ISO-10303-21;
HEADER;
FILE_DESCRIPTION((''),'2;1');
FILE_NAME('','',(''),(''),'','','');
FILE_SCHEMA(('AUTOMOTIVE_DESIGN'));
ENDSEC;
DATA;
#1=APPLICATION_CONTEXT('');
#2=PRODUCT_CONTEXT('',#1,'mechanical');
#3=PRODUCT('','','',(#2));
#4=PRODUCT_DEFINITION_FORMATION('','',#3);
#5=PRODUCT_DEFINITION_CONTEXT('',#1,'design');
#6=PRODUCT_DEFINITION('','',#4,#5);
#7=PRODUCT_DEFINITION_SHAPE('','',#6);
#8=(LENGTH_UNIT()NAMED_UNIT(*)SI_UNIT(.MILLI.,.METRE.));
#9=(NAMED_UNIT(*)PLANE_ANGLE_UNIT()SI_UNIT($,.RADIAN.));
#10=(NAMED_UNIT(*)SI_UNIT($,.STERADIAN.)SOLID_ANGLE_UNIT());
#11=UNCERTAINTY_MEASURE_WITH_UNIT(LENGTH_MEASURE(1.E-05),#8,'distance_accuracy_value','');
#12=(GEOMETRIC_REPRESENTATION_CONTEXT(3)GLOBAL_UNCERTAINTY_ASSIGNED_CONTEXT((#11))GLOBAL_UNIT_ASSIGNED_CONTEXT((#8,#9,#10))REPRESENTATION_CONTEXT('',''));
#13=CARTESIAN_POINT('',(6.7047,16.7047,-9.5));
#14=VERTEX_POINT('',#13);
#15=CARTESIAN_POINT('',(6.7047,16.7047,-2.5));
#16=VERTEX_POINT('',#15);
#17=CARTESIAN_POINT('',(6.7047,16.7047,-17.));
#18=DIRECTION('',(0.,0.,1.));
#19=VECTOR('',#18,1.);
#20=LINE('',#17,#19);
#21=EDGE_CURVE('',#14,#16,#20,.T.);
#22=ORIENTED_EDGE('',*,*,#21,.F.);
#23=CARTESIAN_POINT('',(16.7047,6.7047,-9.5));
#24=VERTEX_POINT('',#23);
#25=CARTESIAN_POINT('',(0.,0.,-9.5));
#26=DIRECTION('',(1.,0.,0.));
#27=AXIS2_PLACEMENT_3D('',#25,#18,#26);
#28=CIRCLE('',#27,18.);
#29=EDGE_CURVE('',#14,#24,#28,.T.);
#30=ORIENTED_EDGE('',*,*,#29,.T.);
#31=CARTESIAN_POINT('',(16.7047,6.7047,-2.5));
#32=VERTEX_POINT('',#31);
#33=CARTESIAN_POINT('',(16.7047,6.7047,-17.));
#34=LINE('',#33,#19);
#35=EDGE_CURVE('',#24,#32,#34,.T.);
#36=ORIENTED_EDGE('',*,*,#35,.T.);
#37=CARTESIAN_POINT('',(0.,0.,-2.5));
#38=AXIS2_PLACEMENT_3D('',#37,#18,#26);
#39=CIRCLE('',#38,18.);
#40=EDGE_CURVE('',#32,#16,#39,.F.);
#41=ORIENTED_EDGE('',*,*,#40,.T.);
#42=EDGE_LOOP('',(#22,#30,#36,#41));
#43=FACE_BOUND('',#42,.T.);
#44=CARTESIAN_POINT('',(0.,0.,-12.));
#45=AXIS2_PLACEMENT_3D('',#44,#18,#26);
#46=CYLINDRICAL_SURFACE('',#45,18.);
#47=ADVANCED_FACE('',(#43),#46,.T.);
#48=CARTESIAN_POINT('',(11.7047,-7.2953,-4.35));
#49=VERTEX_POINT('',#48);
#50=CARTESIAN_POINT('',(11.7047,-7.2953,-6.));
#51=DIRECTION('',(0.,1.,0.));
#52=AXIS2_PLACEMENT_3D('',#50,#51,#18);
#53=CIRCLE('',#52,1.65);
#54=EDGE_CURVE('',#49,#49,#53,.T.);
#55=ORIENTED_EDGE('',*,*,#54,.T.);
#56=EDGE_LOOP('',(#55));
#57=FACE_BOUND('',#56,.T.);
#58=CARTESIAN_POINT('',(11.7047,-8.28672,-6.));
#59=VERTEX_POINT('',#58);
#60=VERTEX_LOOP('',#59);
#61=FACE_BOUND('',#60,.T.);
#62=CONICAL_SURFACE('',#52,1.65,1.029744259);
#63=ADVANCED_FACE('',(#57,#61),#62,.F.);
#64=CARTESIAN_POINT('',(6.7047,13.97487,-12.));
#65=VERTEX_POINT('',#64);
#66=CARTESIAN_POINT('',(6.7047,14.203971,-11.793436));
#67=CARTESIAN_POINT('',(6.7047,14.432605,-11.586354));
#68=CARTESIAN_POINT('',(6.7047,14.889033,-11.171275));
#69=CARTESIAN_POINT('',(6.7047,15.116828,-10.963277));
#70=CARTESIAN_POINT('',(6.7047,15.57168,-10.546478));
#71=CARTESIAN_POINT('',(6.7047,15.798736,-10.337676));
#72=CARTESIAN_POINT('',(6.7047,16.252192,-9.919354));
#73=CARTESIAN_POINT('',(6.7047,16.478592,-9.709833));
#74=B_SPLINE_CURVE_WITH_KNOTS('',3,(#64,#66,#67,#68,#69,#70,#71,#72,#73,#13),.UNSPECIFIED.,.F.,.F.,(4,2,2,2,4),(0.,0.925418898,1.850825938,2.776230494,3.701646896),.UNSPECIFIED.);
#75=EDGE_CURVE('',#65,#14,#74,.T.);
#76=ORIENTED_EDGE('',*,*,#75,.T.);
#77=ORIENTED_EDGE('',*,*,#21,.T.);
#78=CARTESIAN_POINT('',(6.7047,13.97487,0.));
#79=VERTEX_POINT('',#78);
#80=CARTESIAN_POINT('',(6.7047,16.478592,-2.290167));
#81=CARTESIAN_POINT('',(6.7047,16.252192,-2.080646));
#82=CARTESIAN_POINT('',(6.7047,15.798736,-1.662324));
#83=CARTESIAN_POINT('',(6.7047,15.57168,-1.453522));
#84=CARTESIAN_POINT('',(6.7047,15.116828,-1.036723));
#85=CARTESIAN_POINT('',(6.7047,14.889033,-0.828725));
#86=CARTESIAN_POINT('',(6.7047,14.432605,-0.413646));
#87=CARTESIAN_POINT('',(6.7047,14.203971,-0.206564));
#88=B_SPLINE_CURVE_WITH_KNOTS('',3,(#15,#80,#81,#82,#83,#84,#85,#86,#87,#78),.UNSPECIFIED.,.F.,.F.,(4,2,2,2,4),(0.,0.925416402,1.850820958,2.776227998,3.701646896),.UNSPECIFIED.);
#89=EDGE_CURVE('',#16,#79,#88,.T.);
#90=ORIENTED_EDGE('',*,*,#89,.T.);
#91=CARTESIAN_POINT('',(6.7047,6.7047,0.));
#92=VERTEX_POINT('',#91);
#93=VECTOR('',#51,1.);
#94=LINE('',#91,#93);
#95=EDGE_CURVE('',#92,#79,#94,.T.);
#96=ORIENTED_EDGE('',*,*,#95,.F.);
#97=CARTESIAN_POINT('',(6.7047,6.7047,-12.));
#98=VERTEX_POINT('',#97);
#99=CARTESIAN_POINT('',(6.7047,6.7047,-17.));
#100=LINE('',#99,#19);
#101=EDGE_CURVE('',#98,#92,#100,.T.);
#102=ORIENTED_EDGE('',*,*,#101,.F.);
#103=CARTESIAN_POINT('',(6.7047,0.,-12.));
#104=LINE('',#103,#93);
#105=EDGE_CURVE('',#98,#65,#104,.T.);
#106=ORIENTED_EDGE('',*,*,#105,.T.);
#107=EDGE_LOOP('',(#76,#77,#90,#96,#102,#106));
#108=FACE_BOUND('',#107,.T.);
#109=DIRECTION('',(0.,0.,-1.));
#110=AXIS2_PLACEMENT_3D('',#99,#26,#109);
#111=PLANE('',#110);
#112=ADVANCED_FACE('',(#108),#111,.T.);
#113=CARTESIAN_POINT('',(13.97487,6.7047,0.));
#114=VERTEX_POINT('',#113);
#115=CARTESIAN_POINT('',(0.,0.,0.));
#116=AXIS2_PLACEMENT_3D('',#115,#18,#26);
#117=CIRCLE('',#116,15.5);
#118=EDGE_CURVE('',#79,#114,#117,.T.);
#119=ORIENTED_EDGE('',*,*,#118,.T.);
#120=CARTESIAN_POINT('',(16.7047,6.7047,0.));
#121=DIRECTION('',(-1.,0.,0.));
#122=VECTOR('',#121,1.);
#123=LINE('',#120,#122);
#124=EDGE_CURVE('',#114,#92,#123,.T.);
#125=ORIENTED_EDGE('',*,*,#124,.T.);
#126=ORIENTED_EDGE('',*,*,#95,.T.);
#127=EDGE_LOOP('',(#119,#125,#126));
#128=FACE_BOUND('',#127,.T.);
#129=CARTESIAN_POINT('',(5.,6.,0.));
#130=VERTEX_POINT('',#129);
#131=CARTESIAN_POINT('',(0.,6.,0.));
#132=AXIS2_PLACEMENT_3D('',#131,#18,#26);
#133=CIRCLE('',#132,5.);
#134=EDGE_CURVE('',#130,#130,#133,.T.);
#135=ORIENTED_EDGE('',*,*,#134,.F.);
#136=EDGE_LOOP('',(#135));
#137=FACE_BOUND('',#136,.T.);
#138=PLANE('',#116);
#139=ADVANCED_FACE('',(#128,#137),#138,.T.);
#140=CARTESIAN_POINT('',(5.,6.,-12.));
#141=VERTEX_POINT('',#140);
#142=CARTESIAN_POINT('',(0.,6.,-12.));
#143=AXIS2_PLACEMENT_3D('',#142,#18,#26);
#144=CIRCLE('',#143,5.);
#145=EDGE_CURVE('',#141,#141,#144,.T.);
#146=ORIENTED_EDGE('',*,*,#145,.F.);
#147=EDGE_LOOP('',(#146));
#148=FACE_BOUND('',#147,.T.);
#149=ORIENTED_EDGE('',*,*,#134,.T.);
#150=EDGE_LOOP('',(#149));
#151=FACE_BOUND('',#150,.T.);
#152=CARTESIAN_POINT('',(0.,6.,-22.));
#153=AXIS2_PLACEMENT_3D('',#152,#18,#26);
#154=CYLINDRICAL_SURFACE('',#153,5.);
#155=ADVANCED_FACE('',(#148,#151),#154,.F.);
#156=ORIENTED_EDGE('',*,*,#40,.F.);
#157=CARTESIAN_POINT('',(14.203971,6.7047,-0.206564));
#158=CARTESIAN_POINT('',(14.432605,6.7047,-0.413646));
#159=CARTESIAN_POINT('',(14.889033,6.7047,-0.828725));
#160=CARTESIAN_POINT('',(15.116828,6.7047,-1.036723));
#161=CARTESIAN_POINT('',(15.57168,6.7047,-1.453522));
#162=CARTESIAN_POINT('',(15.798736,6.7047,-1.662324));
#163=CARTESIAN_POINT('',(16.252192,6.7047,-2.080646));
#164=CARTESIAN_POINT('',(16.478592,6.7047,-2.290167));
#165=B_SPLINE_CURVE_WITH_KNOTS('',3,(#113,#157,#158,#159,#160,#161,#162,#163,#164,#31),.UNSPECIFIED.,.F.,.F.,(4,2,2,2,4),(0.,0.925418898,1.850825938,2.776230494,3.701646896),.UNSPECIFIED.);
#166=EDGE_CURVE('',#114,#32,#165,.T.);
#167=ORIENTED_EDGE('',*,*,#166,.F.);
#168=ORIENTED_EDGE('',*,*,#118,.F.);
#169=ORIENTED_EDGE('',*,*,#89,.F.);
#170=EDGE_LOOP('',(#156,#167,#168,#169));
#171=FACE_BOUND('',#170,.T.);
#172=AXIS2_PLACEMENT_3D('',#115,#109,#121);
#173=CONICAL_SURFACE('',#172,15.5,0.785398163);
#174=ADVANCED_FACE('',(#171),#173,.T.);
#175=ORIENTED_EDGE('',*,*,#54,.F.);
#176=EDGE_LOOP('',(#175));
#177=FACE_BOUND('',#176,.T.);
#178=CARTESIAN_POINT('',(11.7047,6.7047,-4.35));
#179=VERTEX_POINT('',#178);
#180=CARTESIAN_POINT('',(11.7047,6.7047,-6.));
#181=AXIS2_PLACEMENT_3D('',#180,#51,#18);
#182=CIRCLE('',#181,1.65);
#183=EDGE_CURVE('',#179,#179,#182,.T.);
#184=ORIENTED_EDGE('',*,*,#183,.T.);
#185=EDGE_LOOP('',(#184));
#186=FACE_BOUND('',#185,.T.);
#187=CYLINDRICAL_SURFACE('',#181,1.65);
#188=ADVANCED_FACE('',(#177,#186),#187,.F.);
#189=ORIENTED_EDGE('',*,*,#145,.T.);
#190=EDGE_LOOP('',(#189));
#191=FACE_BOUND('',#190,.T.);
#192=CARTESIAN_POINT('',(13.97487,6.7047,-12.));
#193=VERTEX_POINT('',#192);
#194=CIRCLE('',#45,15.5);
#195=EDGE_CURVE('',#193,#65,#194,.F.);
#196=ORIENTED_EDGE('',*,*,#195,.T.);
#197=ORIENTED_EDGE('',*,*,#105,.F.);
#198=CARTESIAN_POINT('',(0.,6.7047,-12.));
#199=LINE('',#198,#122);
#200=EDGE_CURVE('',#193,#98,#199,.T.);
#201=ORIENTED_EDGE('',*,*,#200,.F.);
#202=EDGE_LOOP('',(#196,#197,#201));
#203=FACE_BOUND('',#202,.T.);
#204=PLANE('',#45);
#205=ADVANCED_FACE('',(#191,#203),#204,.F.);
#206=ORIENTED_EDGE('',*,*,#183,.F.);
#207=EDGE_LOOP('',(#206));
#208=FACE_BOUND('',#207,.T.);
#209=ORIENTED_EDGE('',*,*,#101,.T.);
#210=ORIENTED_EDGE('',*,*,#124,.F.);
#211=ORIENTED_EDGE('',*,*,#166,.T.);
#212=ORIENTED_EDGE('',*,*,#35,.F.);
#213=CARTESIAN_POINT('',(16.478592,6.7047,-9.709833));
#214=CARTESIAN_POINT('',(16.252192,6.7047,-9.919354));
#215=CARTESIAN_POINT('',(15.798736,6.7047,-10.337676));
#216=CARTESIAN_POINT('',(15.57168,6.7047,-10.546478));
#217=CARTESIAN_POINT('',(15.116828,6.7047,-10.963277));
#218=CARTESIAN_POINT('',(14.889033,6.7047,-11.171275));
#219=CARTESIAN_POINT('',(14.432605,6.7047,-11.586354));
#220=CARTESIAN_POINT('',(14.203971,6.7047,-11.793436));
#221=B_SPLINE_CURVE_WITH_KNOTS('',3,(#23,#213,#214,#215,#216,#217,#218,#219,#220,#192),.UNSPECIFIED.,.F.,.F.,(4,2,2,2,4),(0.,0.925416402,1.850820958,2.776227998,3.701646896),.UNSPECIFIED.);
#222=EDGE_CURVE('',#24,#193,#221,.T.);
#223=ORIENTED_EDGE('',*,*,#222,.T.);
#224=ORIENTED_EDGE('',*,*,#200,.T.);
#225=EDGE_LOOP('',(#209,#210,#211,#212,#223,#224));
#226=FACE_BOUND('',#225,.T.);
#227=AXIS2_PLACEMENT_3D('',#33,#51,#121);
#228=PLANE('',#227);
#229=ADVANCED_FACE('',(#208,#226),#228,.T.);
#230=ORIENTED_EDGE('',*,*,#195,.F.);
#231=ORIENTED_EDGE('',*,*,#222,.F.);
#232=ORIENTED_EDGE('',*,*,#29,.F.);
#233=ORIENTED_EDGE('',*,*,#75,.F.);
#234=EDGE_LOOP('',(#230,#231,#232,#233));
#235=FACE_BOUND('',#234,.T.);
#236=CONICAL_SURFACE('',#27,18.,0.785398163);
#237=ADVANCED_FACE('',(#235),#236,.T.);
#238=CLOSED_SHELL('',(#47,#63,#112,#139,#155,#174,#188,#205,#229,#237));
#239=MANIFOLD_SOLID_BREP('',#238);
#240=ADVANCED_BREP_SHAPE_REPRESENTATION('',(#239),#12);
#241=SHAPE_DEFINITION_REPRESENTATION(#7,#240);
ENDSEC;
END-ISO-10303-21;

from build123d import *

# Parameters (mm, degrees)
SKETCH1_R             = 18
BOSS_EXTRUDE1_DEPTH   = 12
CUT_EXTRUDE4_DEPTH    = 17
SKETCH1_5_R           = 5
CUT_EXTRUDE5_DEPTH    = 22
M4_TAPPED_HOLE1_D     = 3.3
M4_TAPPED_HOLE1_DEPTH = 14
M4_TAPPED_HOLE1_TIP   = 0.991420021
CHAMFER1_SIZE         = 2.5
CHAMFER2_SIZE         = 2.5


with BuildPart() as part:
    # Sketch1 → Boss-Extrude1 (new body)
    with BuildSketch(Plane.XY):
        Circle(SKETCH1_R)
    extrude(amount=-BOSS_EXTRUDE1_DEPTH)

    # Sketch1<4> → Cut-Extrude4 (cut)
    with BuildSketch(Plane.XY):
        with BuildLine():
            Line((16.704699911, 6.704699911), (6.704699911, 6.704699911))
            Line((6.704699911, 6.704699911), (6.704699911, 16.704699911))
            ThreePointArc((6.704699911, 16.704699911), (12.727922061, 12.727922061), (16.704699911, 6.704699911))
        make_face()
    extrude(amount=-CUT_EXTRUDE4_DEPTH, mode=Mode.SUBTRACT)

    # Sketch1<5> → Cut-Extrude5 (cut)
    with BuildSketch(Plane.XY):
        with Locations((0, 6)):
            Circle(SKETCH1_5_R)
    extrude(amount=-CUT_EXTRUDE5_DEPTH, mode=Mode.SUBTRACT)

    # M4 Tapped Hole1
    with Locations(Plane(origin=(0, 6.704699911, 0), x_dir=(1, 0, 0), z_dir=(0, 1, 0))):
        with Locations((11.704699911, 6)):
            Hole(M4_TAPPED_HOLE1_D / 2, depth=M4_TAPPED_HOLE1_DEPTH)
            with Locations((0, 0, -(M4_TAPPED_HOLE1_DEPTH + M4_TAPPED_HOLE1_TIP / 2))):  # 118° drill point
                Cone(0, M4_TAPPED_HOLE1_D / 2, M4_TAPPED_HOLE1_TIP, mode=Mode.SUBTRACT)

    # Chamfer1
    chamfer1_edges = [part.edges().sort_by_distance(p)[0] for p in [
        (-12.727922061, -12.727922061, 0),
    ]]
    chamfer(chamfer1_edges, length=CHAMFER1_SIZE)

    # Chamfer2
    chamfer2_edges = [part.edges().sort_by_distance(p)[0] for p in [
        (-12.727922061, -12.727922061, -12),
    ]]
    chamfer(chamfer2_edges, length=CHAMFER2_SIZE)


solid = part.part
